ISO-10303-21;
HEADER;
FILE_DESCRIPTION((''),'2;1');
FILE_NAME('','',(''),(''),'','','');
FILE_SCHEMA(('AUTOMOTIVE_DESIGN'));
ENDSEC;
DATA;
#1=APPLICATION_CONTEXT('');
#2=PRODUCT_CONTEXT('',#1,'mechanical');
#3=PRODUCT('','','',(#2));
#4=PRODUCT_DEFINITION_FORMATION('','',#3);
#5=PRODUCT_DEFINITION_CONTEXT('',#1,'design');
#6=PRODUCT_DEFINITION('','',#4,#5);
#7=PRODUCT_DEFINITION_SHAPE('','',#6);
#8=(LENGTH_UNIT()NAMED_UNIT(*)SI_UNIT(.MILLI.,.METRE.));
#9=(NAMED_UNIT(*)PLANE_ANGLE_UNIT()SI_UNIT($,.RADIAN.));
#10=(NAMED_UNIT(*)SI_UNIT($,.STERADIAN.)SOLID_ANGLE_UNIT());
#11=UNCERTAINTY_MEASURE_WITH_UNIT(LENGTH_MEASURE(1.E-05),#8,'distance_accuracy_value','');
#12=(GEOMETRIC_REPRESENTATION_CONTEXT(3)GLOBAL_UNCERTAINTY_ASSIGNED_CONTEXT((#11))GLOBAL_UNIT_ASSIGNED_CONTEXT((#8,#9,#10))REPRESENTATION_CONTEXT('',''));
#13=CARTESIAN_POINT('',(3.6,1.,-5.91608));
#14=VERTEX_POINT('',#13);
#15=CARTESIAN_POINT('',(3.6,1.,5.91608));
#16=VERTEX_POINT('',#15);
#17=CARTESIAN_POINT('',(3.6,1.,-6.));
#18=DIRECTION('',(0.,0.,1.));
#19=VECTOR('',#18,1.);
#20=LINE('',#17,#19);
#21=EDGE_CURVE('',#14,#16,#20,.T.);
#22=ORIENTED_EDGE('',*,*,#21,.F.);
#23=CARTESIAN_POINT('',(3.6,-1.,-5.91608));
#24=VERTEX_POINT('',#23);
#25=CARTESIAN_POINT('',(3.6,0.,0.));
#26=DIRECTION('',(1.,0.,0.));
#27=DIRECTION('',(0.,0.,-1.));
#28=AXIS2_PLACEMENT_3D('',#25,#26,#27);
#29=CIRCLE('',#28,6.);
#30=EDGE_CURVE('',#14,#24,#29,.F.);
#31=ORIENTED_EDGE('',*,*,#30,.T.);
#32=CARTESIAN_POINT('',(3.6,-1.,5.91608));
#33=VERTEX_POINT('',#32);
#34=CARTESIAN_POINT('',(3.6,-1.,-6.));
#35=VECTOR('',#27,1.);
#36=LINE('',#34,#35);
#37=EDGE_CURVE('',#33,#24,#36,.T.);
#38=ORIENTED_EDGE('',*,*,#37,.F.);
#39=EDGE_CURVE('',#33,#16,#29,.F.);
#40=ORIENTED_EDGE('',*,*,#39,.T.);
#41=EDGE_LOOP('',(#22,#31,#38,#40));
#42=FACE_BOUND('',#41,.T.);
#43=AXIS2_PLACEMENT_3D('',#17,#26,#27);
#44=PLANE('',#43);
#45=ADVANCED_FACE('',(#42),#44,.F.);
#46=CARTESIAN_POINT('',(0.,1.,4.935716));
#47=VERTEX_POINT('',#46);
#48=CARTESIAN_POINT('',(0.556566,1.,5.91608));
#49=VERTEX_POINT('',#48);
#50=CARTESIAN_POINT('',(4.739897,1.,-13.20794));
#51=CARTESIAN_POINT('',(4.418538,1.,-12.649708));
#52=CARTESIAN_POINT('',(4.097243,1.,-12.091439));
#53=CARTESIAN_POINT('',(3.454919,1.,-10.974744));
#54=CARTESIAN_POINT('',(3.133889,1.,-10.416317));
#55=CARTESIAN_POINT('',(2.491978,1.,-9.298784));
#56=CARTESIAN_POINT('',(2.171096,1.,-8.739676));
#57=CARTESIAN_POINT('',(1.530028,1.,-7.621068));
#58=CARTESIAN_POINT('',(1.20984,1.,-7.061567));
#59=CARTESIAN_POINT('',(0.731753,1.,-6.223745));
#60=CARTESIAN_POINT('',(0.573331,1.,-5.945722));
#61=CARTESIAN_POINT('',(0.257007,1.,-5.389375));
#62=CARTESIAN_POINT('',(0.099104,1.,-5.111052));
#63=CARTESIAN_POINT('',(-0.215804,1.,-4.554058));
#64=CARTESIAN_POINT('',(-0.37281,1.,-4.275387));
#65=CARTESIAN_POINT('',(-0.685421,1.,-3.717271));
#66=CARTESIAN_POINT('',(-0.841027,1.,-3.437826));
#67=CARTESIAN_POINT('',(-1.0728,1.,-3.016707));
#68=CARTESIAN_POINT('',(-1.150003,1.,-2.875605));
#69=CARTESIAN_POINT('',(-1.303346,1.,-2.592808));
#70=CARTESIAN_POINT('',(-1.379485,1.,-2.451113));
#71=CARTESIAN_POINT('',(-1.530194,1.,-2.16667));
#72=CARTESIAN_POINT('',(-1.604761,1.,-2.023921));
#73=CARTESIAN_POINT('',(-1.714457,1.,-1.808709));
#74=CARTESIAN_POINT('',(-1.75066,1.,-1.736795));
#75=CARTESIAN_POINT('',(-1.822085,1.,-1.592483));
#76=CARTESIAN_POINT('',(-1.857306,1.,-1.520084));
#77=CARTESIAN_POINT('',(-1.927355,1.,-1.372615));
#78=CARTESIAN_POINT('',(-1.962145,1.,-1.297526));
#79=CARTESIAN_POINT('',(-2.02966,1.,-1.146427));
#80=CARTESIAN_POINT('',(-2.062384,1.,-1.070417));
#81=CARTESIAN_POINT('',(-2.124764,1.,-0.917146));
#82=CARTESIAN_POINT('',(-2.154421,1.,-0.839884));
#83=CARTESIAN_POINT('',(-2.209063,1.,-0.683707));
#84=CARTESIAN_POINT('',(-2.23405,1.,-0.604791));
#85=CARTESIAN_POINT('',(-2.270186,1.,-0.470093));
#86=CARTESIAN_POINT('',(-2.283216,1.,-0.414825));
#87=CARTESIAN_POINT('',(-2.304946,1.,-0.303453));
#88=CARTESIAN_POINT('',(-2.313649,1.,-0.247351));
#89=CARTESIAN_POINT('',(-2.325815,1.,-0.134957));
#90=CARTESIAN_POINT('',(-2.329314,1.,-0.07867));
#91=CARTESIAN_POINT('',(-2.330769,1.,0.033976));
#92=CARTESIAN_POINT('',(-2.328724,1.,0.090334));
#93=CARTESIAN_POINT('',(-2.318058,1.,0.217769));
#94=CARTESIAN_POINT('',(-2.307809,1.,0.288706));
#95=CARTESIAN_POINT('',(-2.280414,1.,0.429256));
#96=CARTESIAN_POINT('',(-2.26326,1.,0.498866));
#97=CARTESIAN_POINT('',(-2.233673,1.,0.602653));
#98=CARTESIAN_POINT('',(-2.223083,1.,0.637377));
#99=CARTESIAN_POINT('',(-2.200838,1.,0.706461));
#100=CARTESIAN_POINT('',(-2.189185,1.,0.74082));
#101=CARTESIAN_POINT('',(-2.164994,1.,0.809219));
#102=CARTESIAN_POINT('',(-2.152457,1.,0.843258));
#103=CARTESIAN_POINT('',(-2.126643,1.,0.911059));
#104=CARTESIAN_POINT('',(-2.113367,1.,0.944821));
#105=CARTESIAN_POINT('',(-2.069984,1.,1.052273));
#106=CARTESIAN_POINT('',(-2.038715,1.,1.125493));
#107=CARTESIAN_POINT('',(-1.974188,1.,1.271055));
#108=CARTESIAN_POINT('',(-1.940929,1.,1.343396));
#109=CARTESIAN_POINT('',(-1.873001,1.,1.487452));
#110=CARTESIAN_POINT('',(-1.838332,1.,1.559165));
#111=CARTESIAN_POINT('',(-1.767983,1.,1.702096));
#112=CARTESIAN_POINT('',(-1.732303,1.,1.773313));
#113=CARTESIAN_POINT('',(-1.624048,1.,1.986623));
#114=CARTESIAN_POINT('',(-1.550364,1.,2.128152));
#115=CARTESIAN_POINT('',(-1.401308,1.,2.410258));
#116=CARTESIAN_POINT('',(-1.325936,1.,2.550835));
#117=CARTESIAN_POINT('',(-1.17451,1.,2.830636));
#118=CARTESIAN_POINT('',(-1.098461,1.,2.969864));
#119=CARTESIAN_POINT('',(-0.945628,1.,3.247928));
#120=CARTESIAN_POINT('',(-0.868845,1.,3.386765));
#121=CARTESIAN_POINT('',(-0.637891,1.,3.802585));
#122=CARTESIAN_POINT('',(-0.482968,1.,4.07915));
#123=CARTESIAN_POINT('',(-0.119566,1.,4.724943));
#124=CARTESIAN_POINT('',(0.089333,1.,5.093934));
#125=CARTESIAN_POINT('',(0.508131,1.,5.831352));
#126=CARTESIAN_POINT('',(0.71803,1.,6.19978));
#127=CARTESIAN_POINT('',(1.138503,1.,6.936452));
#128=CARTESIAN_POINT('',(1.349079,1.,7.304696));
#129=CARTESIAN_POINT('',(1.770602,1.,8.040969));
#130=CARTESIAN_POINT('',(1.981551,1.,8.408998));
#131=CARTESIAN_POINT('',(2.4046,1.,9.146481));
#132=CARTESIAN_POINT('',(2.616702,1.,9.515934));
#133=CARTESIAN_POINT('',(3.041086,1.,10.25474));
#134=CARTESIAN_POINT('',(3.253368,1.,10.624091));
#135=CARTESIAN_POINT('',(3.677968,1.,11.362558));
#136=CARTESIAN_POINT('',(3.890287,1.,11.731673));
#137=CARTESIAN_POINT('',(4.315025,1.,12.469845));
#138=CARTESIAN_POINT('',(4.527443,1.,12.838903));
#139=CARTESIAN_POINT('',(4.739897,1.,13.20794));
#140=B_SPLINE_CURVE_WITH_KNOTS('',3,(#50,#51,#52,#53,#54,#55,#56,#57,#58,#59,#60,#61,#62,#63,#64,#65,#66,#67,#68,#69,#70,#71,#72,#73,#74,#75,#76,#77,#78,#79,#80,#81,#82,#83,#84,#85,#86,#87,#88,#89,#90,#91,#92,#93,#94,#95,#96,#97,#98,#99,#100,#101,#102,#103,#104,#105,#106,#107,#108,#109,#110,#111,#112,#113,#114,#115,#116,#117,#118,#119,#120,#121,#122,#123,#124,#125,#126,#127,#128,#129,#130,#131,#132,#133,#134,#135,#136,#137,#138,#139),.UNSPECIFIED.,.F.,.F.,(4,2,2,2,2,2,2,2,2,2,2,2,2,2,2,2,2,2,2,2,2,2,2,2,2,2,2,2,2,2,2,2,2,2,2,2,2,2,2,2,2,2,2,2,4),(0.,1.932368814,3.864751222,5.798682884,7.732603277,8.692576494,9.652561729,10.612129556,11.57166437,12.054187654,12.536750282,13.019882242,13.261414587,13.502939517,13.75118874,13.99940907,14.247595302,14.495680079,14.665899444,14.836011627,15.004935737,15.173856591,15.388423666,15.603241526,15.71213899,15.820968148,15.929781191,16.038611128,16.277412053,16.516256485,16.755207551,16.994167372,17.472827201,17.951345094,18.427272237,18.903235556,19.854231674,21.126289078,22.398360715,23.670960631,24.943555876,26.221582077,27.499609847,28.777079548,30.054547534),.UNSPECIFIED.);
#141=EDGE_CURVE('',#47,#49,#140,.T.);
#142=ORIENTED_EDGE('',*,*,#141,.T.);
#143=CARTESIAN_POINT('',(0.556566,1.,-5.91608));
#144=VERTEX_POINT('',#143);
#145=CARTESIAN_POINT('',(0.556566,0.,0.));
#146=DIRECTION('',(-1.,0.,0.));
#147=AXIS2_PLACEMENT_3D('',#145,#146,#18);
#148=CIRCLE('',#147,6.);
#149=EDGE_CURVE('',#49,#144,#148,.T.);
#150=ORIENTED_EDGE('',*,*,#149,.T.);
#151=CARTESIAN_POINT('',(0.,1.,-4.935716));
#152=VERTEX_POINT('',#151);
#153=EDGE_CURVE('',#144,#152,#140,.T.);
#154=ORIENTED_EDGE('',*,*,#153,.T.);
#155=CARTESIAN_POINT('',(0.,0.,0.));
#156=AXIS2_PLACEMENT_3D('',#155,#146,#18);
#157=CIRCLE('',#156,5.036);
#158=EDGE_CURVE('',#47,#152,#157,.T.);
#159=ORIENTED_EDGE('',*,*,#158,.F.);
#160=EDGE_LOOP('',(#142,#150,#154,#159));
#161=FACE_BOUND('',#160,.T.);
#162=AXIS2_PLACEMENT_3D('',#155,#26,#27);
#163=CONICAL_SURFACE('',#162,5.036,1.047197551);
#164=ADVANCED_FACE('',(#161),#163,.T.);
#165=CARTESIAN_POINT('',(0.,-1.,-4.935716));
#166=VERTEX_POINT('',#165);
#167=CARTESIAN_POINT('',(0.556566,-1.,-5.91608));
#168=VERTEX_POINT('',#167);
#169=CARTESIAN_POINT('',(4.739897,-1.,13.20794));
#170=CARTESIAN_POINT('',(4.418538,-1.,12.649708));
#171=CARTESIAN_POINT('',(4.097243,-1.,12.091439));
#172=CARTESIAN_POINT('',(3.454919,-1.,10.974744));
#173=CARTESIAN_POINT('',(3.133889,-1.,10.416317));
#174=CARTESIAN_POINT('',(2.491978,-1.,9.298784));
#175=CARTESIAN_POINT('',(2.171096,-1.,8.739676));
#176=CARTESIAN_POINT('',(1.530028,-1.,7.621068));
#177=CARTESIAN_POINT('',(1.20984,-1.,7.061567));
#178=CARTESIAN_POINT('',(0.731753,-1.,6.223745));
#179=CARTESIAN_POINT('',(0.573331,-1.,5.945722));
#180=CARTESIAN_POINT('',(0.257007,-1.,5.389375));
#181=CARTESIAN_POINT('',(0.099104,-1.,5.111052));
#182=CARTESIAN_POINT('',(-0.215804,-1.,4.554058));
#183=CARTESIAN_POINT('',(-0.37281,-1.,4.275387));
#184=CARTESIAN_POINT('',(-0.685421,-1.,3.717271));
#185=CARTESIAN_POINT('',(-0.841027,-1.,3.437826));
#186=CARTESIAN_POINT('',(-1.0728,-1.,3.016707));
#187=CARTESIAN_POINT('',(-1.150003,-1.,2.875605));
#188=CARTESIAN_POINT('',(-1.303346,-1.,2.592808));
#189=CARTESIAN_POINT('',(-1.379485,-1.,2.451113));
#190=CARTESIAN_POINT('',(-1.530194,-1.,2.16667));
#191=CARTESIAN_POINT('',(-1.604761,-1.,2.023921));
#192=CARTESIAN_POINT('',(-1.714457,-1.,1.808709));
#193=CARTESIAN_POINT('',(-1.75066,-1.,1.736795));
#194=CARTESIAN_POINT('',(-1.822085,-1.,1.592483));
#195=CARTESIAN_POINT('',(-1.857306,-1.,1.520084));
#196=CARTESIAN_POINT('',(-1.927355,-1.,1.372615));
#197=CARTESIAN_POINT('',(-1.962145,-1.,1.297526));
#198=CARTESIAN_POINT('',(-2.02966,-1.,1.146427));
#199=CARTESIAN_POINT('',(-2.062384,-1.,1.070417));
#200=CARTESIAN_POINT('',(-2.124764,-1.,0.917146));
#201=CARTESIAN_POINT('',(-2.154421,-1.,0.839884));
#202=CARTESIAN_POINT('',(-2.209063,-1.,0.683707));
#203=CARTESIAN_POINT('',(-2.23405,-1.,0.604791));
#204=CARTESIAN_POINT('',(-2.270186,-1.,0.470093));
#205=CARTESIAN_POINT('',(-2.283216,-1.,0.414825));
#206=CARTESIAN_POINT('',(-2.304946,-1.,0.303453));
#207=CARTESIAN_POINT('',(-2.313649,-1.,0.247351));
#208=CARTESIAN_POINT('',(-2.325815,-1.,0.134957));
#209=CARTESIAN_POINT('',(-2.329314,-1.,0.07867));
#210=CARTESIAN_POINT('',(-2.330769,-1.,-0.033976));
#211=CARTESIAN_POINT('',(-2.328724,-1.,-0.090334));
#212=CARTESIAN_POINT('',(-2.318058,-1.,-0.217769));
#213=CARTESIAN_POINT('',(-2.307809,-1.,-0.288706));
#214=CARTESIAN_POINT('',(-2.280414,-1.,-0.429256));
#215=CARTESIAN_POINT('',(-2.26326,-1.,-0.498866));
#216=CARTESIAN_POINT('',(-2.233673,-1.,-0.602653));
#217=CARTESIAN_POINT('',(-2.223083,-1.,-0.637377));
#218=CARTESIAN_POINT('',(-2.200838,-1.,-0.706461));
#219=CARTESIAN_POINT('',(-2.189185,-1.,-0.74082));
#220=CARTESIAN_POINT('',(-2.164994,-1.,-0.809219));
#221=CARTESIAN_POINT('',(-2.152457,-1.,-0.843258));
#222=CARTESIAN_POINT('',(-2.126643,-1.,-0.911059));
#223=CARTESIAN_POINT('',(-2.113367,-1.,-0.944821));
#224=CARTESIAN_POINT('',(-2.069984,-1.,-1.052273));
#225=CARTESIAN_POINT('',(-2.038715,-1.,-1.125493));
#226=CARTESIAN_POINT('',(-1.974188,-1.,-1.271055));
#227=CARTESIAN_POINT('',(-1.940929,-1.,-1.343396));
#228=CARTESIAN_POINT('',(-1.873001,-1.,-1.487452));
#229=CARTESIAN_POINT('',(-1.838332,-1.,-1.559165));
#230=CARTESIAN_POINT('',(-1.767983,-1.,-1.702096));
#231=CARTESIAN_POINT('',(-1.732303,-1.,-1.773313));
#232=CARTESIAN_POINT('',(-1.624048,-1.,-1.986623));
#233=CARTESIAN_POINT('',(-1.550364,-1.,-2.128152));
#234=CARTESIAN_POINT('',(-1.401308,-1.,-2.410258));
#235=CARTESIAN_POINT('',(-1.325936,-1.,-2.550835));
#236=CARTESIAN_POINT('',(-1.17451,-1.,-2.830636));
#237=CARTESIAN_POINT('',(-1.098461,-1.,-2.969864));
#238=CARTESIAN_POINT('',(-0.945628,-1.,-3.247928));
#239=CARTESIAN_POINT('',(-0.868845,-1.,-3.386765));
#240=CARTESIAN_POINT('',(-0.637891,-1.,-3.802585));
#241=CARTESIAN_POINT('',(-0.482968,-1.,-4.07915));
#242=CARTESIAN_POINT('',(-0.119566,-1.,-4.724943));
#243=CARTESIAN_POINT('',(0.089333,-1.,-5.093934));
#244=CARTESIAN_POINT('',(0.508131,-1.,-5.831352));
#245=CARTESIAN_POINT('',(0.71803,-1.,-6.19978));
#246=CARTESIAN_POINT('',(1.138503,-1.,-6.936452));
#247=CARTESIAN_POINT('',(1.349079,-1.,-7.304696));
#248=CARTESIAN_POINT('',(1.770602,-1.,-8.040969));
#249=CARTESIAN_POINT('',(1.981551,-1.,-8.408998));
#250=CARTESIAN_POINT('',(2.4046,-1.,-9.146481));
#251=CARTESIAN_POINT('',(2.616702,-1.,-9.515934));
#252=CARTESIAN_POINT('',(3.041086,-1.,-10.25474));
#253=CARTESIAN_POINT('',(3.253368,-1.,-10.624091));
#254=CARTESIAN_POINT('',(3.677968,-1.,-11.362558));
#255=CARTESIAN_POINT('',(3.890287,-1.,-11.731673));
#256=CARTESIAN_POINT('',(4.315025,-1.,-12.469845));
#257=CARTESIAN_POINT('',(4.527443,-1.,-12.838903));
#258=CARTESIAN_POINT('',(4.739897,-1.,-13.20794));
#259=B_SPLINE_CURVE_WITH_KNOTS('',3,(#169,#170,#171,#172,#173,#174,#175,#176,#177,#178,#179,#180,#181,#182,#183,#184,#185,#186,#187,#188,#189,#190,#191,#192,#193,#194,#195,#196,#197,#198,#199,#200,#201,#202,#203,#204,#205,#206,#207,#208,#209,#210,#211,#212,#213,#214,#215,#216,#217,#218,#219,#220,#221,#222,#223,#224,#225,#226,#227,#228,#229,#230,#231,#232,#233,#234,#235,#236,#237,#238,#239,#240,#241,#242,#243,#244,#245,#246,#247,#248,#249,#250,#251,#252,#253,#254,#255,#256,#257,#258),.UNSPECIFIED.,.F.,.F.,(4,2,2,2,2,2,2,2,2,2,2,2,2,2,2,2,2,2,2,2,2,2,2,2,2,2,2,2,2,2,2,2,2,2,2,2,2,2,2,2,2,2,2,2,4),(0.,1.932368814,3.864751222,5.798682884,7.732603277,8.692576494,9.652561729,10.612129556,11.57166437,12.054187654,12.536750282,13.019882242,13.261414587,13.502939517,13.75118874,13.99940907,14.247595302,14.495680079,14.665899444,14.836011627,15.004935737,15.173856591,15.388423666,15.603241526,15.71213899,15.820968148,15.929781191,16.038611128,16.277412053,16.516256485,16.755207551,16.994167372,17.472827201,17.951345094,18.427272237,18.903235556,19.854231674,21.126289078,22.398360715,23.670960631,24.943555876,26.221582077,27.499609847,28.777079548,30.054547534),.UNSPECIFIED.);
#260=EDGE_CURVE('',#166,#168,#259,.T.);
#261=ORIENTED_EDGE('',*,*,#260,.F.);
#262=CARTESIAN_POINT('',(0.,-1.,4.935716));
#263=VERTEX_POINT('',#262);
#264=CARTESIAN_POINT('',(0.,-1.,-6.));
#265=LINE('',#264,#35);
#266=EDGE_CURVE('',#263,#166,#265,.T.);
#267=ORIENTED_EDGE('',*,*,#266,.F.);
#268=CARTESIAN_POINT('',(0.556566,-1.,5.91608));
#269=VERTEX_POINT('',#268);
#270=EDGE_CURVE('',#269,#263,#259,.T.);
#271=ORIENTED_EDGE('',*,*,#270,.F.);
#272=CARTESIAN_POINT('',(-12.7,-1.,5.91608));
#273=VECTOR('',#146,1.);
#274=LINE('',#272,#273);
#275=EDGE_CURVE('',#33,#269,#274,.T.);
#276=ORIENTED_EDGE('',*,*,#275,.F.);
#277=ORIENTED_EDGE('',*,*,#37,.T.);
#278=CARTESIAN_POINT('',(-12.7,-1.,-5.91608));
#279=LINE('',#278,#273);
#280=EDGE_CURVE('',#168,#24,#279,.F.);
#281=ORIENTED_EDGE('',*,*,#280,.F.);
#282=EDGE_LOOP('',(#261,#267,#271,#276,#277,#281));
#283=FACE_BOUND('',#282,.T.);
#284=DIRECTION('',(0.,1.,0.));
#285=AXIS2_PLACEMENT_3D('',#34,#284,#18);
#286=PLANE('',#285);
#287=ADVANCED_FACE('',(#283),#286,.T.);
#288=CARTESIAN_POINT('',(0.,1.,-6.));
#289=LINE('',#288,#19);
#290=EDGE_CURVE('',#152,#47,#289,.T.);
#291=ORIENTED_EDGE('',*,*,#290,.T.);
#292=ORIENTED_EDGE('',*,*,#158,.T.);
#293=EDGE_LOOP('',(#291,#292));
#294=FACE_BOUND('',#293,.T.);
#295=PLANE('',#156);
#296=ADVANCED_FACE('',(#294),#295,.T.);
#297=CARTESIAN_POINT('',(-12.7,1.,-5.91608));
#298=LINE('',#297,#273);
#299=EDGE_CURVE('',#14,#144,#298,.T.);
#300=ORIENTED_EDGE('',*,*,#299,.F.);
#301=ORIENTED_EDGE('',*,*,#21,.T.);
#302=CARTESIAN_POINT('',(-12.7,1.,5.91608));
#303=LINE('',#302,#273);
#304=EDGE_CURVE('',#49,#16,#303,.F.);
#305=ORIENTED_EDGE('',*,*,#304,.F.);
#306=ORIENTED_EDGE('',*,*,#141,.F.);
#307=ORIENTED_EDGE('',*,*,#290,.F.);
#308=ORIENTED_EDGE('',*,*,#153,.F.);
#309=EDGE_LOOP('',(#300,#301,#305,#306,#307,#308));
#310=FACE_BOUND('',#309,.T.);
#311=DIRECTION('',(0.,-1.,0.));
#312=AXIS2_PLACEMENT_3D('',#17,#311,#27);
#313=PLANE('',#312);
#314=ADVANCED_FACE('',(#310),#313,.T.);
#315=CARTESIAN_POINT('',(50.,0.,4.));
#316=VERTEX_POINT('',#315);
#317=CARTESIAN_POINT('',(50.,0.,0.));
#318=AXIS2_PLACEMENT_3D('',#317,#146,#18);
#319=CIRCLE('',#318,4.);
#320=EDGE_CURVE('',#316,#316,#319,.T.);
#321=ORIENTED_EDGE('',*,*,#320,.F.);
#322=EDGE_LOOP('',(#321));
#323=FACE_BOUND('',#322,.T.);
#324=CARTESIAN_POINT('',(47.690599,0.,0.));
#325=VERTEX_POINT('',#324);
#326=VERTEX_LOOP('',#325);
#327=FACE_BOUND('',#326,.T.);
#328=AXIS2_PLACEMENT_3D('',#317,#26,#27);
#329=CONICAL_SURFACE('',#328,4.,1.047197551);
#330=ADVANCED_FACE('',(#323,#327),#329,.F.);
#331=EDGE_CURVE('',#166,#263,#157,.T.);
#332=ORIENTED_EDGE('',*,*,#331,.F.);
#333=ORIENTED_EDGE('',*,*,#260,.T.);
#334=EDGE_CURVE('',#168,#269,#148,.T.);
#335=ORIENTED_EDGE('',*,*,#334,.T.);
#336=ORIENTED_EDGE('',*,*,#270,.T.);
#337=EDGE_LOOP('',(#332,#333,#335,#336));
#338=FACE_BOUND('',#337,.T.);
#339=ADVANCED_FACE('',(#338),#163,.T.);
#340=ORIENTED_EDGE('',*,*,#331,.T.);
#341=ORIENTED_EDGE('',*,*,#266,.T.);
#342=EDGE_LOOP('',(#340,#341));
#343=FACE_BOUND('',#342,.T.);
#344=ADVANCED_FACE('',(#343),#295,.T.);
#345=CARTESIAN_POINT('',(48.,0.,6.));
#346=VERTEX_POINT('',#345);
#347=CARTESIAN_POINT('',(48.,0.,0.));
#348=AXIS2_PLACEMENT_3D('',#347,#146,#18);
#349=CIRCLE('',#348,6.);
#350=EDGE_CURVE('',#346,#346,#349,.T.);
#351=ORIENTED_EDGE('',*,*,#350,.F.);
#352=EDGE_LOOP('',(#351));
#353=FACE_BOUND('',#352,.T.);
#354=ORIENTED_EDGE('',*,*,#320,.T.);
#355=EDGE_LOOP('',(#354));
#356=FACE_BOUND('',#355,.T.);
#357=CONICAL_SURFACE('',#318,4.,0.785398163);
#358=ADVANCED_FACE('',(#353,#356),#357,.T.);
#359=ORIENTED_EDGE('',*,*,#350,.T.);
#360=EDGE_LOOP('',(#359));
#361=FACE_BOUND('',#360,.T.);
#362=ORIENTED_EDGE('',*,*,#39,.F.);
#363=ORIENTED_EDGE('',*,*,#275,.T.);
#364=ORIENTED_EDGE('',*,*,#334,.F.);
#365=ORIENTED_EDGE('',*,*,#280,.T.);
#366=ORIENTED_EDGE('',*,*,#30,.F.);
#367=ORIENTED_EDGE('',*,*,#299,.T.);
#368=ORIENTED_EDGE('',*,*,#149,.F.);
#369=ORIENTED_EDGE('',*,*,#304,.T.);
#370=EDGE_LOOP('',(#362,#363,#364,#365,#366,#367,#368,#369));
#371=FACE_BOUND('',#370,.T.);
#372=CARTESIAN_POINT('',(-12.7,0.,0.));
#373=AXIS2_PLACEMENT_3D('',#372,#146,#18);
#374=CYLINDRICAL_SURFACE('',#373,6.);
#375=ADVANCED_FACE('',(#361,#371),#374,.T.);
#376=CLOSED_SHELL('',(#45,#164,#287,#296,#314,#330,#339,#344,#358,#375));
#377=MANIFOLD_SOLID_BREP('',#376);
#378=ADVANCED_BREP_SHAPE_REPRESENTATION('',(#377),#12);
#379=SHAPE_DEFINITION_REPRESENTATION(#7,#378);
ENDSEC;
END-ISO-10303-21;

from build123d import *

# Parameters (mm, degrees)
SKETCH2_W  = 12
SKETCH2_H  = 2
SLOT_DEPTH = 3.6


with BuildPart() as part:
    # BodySke → BaseBody (revolve)
    with BuildSketch(Plane.XY, mode=Mode.PRIVATE) as basebody_sk:
        Polygon((50, 4), (47.690598923, 0), (0, 0), (0, 5.036), (0.556565659, 6), (48, 6), align=None)
    revolve(basebody_sk.sketch.rotate(Axis((50, 0, 0), (1, 0, 0)), 90), axis=Axis((50, 0, 0), (1, 0, 0)))

    # Sketch2 → Slot (cut)
    with BuildSketch(Plane(origin=(0, 0, 0), x_dir=(0, 0, -1), z_dir=(1, 0, 0))):
        Rectangle(SKETCH2_W, SKETCH2_H)
    extrude(amount=SLOT_DEPTH, mode=Mode.SUBTRACT)


solid = part.part
